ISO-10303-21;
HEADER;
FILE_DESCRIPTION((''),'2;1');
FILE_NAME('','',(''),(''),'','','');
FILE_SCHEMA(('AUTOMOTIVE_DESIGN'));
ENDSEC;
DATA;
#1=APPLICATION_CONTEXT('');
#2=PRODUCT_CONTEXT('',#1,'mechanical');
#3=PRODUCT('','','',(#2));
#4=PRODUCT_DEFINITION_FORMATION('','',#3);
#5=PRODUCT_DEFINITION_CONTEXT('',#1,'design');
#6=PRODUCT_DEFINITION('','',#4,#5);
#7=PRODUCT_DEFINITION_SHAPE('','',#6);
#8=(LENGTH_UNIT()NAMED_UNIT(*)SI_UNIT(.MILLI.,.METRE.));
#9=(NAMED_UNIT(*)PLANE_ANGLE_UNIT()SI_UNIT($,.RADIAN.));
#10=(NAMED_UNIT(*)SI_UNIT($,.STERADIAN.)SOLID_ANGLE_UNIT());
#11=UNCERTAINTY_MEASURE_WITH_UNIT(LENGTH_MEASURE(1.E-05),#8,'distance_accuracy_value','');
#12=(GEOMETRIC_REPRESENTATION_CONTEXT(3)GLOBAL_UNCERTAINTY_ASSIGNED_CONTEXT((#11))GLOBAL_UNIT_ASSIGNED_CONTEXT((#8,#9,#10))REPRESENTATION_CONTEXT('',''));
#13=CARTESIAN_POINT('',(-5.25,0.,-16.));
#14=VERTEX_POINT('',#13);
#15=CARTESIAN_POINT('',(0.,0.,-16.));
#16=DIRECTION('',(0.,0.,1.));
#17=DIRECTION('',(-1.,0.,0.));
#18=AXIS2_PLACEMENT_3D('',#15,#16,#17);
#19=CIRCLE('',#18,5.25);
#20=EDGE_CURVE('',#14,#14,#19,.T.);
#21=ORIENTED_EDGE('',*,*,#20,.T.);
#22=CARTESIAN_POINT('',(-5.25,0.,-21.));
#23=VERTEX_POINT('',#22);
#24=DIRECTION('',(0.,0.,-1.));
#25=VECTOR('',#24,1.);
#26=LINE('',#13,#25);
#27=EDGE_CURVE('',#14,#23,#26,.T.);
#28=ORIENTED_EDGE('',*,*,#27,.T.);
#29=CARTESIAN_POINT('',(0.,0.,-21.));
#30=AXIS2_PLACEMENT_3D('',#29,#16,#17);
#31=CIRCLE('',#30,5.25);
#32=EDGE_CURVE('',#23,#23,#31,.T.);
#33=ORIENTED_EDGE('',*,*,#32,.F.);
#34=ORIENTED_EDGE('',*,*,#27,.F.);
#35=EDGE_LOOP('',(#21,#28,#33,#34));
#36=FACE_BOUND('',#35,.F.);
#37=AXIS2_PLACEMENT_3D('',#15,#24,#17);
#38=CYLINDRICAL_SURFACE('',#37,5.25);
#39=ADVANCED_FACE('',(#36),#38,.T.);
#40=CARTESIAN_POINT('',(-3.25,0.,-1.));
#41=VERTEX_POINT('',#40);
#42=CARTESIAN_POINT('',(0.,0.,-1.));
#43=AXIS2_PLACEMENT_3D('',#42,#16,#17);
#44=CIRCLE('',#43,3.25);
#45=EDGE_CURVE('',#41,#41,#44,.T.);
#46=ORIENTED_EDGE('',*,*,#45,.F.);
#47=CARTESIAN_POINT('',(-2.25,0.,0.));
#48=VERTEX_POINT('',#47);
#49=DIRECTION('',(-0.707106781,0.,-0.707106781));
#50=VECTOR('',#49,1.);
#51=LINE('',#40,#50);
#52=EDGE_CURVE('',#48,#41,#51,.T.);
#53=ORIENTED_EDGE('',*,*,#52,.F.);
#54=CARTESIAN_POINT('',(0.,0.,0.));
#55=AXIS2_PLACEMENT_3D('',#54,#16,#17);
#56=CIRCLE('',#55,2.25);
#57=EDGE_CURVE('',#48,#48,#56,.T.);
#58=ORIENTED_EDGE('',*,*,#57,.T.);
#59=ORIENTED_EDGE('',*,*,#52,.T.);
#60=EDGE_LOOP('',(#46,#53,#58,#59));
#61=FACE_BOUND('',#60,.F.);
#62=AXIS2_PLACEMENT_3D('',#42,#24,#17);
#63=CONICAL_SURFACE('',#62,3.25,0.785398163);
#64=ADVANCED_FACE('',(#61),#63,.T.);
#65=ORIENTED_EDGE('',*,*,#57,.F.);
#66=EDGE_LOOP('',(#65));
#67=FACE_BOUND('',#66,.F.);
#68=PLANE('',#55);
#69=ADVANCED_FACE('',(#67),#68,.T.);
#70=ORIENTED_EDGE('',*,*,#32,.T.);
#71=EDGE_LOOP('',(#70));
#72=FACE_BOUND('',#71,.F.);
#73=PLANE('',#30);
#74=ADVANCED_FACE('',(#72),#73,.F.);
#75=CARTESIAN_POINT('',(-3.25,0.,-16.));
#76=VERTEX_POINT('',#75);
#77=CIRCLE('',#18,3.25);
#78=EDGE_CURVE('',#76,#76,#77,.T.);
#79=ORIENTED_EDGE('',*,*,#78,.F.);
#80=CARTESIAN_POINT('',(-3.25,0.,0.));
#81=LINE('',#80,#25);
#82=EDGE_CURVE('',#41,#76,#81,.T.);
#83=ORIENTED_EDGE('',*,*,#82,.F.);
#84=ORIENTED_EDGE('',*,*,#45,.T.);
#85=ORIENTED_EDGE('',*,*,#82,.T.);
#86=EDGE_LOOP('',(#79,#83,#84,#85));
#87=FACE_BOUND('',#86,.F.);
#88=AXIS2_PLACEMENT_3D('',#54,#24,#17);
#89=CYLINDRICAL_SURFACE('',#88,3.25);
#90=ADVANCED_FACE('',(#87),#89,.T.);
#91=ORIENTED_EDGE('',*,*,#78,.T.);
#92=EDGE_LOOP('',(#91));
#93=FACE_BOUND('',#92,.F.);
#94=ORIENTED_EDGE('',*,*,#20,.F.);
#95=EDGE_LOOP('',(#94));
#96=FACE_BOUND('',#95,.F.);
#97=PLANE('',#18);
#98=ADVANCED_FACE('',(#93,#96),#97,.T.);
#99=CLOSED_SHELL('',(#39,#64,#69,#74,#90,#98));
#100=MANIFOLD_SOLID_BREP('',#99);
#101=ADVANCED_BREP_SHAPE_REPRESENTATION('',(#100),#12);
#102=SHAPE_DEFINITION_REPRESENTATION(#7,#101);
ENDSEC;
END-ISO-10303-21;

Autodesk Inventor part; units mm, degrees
ref_plane "YZ Plane" through (0, 0, 0) normal (1, 0, 0) x (0, 1, 0)
ref_plane "XZ Plane" through (0, 0, 0) normal (0, 1, 0) x (-1, 0, 0)
ref_plane "XY Plane" through (0, 0, 0) normal (0, 0, 1) x (1, 0, 0)
sketch "Skizze1" plane through (0, 0, 0) normal (0, 1, 0) x (-1, 0, 0)
  line L0 (0, 0) -> (3.25, 0)
  line L1 (3.25, 0) -> (3.25, -16)
  line L2 (3.25, -16) -> (5.25, -16)
  line L3 (5.25, -16) -> (5.25, -21)
  line L4 (5.25, -21) -> (0, -21)
  line L5 (0, -21) -> (0, 0)
  dimension "d0" = 6.5
  dimension "d1" = 10.5
  dimension "d2" = 21
  dimension "d3" = 16
revolve "Umdrehung1" add sketch "Skizze1" angle 360 about axis through (0, 0, -21) along (0, 0, 1)
chamfer "Fasen1" distance 1 angle 45 1 edges at (3.25, 0, 0)
properties part number "bolt_shaft"
